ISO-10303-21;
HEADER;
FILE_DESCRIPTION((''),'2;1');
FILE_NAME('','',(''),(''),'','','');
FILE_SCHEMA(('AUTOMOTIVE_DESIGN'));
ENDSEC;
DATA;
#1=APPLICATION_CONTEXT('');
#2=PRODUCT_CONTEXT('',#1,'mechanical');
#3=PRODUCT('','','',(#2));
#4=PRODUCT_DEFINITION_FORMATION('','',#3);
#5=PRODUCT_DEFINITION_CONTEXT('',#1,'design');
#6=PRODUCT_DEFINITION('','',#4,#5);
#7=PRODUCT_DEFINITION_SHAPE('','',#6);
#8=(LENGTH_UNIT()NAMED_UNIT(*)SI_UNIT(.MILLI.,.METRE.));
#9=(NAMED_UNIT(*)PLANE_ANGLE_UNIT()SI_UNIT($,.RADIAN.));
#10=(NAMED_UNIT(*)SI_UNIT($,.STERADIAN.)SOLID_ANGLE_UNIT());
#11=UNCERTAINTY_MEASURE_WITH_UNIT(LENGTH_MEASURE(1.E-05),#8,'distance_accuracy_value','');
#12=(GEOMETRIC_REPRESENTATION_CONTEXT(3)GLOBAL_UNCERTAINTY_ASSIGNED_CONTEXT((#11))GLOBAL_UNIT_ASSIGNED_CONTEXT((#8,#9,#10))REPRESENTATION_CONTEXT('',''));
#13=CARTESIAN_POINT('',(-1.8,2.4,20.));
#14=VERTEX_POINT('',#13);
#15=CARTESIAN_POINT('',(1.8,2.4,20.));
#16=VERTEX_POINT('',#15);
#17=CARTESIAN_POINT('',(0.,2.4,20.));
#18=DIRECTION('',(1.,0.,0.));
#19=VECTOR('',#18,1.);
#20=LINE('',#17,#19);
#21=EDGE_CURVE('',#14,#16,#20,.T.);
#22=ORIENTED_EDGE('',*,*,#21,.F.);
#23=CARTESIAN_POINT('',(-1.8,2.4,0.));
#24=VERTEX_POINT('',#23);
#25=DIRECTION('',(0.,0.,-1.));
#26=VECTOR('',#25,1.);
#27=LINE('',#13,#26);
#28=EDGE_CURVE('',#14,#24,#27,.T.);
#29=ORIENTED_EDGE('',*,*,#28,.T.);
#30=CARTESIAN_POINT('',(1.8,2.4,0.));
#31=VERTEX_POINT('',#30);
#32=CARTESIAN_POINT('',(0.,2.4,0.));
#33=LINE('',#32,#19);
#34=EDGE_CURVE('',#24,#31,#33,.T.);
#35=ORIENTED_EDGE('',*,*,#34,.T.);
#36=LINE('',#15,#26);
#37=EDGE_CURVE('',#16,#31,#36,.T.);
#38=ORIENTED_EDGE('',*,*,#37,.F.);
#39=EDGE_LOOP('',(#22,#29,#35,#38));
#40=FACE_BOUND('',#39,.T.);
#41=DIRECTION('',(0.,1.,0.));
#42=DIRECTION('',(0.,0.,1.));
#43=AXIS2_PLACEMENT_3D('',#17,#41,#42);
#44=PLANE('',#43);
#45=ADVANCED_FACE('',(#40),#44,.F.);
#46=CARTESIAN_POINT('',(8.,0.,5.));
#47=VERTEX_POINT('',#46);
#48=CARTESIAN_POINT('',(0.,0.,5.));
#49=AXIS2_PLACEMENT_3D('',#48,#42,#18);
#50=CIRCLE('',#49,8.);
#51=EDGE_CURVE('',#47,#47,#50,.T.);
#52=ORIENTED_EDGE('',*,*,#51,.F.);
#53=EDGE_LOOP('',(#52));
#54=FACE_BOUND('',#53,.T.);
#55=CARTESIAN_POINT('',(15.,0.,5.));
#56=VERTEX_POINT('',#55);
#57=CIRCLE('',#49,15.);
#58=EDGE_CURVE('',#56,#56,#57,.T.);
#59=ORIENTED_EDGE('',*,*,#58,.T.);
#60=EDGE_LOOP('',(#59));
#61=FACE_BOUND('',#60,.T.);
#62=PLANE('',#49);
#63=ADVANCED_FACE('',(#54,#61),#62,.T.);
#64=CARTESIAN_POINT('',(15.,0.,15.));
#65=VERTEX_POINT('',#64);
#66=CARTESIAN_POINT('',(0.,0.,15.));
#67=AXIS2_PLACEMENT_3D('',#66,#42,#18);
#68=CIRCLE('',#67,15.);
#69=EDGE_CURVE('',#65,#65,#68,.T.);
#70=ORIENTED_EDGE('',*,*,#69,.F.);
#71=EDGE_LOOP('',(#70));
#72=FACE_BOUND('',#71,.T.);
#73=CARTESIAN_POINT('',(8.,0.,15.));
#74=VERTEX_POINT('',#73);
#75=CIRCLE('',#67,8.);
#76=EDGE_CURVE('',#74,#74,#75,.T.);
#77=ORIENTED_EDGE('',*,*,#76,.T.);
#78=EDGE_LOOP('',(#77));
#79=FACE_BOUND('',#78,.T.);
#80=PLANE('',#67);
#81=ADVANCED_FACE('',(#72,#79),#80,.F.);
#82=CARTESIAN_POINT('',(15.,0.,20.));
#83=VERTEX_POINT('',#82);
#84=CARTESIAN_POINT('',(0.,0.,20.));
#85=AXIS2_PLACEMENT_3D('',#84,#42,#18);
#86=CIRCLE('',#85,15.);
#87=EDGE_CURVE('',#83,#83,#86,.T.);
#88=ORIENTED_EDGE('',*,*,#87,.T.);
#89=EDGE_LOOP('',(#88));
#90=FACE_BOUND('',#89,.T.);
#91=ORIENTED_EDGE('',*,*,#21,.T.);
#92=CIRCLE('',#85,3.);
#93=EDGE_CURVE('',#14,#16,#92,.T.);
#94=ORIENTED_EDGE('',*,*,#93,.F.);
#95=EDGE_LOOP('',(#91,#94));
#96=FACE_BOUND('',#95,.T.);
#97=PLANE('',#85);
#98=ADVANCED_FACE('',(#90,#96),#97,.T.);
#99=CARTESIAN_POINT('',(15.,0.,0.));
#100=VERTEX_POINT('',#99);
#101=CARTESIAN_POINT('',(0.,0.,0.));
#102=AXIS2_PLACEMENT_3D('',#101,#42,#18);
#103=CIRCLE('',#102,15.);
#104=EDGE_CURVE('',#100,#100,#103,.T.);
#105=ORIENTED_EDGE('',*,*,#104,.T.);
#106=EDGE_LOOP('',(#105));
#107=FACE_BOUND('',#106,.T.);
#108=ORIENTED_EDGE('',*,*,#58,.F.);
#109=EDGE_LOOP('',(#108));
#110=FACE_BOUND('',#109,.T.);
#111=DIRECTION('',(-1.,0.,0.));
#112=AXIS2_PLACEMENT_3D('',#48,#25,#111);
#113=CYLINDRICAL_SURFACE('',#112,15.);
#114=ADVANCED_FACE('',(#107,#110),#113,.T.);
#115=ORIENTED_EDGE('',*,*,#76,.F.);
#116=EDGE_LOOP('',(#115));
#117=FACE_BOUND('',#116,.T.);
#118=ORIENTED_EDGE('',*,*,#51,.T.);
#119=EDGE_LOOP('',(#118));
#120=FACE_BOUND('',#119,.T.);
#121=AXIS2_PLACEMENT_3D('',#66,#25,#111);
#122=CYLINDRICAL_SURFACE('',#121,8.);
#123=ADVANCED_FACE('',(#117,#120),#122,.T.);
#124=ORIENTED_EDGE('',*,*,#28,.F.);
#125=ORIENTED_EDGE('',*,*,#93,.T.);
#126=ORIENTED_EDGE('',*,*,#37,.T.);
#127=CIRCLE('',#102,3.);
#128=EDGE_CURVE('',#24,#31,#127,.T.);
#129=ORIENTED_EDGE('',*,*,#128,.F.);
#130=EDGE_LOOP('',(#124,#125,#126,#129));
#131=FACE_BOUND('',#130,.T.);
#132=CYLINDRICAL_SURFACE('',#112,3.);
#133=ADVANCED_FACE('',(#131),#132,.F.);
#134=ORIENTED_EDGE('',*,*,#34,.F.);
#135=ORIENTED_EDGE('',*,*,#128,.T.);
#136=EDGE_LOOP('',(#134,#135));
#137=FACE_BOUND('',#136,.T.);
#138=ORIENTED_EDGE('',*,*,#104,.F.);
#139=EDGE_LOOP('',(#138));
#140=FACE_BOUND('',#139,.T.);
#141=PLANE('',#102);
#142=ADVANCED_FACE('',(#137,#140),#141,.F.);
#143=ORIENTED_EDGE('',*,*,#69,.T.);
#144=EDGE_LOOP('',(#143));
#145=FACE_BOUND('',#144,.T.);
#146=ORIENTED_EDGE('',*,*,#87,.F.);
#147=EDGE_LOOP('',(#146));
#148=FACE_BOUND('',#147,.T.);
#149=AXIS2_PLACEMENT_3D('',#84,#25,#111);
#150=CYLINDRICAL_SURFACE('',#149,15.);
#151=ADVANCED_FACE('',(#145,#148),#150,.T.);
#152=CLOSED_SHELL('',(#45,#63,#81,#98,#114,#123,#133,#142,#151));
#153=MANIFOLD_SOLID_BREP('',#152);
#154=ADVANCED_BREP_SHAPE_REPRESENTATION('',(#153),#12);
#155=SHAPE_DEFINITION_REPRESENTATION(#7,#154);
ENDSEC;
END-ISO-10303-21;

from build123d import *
from build123d.topology import SkipClean

# Parameters (mm, degrees)
ESQUISSE1_R        = 15
BOSS_EXTRU_2_DEPTH = 5
ESQUISSE3_R        = 8
ESQUISSE3_R_2      = 3
BOSS_EXTRU_3_DEPTH = 10
ESQUISSE4_R        = 15
ESQUISSE4_R_2      = 3
BOSS_EXTRU_4_DEPTH = 5
BOSS_EXTRU_5_DEPTH = 20


with BuildPart() as part:
    # Esquisse1 → Boss.-Extru.2 (new body)
    with BuildSketch(Plane.XY):
        Circle(ESQUISSE1_R)
        with BuildLine():
            ThreePointArc((3, 0), (-1.341640786, -2.683281573), (-1.8, 2.4))
            ThreePointArc((-1.8, 2.4), (0, 3), (1.8, 2.4))
            ThreePointArc((1.8, 2.4), (2.683281573, 1.341640786), (3, 0))
        make_face(mode=Mode.SUBTRACT)
    extrude(amount=BOSS_EXTRU_2_DEPTH)

    # Esquisse3 → Boss.-Extru.3 (add)
    with SkipClean():  # the faces are left unmerged after this step: merging them gives an invalid solid
        with BuildSketch(Plane.XY.offset(5)):
            Circle(ESQUISSE3_R)
            Circle(ESQUISSE3_R_2, mode=Mode.SUBTRACT)
        extrude(amount=BOSS_EXTRU_3_DEPTH)

    # Esquisse4 → Boss.-Extru.4 (add)
    with SkipClean():  # the faces are left unmerged after this step: merging them gives an invalid solid
        with BuildSketch(Plane.XY.offset(15)):
            Circle(ESQUISSE4_R)
            Circle(ESQUISSE4_R_2, mode=Mode.SUBTRACT)
        extrude(amount=BOSS_EXTRU_4_DEPTH)

    # Esquisse1<4> → Boss.-Extru.5 (add)
    with SkipClean():  # the faces are left unmerged after this step: merging them gives an invalid solid
        with BuildSketch(Plane.XY):
            with BuildLine():
                ThreePointArc((1.8, 2.4), (0, 3), (-1.8, 2.4))
                Line((-1.8, 2.4), (1.8, 2.4))
            make_face()
        extrude(amount=BOSS_EXTRU_5_DEPTH)


solid = part.part
